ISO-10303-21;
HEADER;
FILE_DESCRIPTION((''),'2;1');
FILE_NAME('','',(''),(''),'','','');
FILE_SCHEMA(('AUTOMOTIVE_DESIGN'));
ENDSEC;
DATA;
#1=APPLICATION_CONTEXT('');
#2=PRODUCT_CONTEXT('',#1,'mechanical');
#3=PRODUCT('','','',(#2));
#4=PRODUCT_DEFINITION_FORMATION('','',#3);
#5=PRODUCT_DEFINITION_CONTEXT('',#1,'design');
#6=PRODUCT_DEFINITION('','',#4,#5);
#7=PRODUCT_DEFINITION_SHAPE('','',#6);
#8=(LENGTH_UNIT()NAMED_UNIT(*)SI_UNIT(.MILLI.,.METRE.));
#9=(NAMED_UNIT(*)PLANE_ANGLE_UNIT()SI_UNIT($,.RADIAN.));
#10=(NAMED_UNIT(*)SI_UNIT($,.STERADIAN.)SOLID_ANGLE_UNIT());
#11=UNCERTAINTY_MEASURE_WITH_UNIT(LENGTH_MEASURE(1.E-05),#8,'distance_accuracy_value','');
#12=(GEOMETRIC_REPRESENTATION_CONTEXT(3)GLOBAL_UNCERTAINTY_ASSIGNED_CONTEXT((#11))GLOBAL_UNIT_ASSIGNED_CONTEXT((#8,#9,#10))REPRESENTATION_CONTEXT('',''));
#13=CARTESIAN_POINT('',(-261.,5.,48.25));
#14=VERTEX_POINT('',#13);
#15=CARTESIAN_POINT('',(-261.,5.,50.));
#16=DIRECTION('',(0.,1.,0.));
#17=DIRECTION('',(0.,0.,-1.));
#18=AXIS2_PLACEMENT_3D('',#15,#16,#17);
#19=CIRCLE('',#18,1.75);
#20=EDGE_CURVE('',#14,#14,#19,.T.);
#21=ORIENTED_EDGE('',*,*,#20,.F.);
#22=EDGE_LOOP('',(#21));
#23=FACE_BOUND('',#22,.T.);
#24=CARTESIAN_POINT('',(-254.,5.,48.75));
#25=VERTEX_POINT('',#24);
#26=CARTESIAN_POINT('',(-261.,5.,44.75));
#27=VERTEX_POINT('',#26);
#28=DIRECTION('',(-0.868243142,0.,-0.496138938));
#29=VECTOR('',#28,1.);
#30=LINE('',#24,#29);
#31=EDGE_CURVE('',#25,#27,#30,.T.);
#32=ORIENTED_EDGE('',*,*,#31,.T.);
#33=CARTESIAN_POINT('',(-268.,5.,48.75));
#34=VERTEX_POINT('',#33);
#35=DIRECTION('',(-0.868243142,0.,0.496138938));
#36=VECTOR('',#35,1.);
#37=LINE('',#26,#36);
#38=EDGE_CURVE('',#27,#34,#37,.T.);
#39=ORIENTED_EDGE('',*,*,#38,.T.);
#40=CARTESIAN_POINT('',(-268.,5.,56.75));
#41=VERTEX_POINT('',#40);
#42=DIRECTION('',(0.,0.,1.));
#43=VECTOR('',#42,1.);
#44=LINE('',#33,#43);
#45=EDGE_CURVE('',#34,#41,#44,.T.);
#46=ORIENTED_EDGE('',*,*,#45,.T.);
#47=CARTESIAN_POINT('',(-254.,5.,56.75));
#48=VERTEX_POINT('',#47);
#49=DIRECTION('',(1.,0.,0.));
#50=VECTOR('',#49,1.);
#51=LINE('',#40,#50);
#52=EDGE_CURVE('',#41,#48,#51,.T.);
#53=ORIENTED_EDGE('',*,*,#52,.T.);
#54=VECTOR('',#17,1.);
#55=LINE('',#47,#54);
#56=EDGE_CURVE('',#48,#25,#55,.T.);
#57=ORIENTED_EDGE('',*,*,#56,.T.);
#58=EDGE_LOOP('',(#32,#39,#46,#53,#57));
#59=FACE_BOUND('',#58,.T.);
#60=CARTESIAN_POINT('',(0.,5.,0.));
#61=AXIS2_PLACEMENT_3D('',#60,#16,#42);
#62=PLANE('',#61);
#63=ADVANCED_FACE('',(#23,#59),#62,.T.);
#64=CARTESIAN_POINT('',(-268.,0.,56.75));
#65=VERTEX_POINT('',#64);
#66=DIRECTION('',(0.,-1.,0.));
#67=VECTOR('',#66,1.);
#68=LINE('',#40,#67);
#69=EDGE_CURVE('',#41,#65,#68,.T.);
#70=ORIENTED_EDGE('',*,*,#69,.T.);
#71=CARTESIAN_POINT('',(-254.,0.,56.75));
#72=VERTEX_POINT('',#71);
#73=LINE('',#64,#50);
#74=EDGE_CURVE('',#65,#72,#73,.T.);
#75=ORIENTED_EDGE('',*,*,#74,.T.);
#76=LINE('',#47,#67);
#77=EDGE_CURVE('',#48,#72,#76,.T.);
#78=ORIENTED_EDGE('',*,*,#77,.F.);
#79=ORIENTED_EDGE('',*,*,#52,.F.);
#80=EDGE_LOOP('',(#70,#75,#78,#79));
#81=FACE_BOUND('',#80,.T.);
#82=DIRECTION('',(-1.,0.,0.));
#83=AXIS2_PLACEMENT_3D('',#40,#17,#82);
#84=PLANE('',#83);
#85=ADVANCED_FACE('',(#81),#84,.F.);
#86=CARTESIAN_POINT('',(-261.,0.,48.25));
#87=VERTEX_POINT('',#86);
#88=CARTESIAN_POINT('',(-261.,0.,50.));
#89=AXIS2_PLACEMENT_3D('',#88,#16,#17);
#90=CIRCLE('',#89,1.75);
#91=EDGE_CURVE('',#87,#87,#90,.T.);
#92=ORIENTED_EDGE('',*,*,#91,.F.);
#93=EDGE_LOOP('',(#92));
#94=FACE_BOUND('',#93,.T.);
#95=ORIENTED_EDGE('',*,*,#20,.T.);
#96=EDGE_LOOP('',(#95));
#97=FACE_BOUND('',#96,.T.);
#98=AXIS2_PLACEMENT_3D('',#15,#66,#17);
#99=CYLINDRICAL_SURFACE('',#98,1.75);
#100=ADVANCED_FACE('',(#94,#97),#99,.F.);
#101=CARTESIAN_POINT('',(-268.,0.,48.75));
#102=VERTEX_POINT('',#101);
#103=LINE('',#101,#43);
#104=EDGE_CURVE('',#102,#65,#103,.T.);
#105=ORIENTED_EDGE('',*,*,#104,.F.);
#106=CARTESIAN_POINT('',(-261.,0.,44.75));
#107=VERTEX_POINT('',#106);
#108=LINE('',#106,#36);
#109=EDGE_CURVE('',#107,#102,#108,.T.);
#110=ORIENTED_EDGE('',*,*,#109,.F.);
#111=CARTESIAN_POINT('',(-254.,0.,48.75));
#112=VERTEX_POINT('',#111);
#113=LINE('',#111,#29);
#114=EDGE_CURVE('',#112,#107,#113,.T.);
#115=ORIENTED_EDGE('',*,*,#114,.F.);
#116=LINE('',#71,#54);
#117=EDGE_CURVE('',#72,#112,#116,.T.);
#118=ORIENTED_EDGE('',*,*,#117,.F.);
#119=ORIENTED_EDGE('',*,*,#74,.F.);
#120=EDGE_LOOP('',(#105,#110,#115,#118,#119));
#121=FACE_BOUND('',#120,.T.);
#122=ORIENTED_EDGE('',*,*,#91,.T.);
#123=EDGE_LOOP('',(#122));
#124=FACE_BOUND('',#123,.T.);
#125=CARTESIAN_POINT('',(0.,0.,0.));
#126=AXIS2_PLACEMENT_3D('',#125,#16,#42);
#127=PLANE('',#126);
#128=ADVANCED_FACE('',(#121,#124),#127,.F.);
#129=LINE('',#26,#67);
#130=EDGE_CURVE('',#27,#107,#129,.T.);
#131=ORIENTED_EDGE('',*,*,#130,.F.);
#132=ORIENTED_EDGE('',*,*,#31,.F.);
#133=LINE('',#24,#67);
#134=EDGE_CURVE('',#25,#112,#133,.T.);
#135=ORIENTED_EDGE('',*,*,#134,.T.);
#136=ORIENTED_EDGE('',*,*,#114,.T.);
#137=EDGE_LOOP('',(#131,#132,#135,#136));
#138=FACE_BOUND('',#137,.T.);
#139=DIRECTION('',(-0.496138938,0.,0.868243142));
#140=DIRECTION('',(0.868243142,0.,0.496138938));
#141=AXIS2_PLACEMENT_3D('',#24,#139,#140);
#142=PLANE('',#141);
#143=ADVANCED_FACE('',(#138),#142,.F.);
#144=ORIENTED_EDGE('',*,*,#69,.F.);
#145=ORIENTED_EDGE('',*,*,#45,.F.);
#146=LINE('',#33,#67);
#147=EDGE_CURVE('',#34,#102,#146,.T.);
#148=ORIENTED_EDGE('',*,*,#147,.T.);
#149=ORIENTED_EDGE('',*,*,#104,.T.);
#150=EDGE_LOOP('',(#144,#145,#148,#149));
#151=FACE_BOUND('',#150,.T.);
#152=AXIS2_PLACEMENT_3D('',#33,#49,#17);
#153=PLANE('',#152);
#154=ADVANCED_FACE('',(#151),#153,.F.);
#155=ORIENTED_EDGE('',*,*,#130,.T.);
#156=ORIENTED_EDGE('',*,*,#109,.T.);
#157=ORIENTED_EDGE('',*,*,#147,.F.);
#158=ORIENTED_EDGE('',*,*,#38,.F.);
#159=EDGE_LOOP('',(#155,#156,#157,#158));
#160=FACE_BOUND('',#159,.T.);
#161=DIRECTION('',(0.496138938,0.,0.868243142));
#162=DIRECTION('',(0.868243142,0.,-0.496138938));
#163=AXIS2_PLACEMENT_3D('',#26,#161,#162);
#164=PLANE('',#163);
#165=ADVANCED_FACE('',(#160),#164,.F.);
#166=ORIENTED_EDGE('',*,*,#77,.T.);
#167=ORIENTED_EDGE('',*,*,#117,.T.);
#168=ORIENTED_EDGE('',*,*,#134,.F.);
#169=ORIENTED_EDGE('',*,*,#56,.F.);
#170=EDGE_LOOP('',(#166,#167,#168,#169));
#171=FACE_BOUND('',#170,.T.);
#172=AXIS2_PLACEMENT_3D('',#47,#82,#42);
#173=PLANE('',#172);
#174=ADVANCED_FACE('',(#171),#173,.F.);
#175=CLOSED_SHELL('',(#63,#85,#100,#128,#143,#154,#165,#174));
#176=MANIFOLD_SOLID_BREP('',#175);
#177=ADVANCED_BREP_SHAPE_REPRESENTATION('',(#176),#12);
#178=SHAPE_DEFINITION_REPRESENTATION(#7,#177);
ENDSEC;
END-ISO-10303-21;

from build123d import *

# Parameters (mm, degrees)
SKETCH2_R           = 1.75
BOSS_EXTRUDE3_DEPTH = 5


with BuildPart() as part:
    # Sketch2 → Boss-Extrude3 (new body)
    with BuildSketch(Plane(origin=(0, 0, 0), x_dir=(1, 0, 0), z_dir=(0, 1, 0))):
        Polygon((-268, -48.75), (-268, -56.75), (-254, -56.75), (-254, -48.75), (-261, -44.75), align=None)
        with Locations((-261, -50)):
            Circle(SKETCH2_R, mode=Mode.SUBTRACT)
    extrude(amount=BOSS_EXTRUDE3_DEPTH)


solid = part.part
